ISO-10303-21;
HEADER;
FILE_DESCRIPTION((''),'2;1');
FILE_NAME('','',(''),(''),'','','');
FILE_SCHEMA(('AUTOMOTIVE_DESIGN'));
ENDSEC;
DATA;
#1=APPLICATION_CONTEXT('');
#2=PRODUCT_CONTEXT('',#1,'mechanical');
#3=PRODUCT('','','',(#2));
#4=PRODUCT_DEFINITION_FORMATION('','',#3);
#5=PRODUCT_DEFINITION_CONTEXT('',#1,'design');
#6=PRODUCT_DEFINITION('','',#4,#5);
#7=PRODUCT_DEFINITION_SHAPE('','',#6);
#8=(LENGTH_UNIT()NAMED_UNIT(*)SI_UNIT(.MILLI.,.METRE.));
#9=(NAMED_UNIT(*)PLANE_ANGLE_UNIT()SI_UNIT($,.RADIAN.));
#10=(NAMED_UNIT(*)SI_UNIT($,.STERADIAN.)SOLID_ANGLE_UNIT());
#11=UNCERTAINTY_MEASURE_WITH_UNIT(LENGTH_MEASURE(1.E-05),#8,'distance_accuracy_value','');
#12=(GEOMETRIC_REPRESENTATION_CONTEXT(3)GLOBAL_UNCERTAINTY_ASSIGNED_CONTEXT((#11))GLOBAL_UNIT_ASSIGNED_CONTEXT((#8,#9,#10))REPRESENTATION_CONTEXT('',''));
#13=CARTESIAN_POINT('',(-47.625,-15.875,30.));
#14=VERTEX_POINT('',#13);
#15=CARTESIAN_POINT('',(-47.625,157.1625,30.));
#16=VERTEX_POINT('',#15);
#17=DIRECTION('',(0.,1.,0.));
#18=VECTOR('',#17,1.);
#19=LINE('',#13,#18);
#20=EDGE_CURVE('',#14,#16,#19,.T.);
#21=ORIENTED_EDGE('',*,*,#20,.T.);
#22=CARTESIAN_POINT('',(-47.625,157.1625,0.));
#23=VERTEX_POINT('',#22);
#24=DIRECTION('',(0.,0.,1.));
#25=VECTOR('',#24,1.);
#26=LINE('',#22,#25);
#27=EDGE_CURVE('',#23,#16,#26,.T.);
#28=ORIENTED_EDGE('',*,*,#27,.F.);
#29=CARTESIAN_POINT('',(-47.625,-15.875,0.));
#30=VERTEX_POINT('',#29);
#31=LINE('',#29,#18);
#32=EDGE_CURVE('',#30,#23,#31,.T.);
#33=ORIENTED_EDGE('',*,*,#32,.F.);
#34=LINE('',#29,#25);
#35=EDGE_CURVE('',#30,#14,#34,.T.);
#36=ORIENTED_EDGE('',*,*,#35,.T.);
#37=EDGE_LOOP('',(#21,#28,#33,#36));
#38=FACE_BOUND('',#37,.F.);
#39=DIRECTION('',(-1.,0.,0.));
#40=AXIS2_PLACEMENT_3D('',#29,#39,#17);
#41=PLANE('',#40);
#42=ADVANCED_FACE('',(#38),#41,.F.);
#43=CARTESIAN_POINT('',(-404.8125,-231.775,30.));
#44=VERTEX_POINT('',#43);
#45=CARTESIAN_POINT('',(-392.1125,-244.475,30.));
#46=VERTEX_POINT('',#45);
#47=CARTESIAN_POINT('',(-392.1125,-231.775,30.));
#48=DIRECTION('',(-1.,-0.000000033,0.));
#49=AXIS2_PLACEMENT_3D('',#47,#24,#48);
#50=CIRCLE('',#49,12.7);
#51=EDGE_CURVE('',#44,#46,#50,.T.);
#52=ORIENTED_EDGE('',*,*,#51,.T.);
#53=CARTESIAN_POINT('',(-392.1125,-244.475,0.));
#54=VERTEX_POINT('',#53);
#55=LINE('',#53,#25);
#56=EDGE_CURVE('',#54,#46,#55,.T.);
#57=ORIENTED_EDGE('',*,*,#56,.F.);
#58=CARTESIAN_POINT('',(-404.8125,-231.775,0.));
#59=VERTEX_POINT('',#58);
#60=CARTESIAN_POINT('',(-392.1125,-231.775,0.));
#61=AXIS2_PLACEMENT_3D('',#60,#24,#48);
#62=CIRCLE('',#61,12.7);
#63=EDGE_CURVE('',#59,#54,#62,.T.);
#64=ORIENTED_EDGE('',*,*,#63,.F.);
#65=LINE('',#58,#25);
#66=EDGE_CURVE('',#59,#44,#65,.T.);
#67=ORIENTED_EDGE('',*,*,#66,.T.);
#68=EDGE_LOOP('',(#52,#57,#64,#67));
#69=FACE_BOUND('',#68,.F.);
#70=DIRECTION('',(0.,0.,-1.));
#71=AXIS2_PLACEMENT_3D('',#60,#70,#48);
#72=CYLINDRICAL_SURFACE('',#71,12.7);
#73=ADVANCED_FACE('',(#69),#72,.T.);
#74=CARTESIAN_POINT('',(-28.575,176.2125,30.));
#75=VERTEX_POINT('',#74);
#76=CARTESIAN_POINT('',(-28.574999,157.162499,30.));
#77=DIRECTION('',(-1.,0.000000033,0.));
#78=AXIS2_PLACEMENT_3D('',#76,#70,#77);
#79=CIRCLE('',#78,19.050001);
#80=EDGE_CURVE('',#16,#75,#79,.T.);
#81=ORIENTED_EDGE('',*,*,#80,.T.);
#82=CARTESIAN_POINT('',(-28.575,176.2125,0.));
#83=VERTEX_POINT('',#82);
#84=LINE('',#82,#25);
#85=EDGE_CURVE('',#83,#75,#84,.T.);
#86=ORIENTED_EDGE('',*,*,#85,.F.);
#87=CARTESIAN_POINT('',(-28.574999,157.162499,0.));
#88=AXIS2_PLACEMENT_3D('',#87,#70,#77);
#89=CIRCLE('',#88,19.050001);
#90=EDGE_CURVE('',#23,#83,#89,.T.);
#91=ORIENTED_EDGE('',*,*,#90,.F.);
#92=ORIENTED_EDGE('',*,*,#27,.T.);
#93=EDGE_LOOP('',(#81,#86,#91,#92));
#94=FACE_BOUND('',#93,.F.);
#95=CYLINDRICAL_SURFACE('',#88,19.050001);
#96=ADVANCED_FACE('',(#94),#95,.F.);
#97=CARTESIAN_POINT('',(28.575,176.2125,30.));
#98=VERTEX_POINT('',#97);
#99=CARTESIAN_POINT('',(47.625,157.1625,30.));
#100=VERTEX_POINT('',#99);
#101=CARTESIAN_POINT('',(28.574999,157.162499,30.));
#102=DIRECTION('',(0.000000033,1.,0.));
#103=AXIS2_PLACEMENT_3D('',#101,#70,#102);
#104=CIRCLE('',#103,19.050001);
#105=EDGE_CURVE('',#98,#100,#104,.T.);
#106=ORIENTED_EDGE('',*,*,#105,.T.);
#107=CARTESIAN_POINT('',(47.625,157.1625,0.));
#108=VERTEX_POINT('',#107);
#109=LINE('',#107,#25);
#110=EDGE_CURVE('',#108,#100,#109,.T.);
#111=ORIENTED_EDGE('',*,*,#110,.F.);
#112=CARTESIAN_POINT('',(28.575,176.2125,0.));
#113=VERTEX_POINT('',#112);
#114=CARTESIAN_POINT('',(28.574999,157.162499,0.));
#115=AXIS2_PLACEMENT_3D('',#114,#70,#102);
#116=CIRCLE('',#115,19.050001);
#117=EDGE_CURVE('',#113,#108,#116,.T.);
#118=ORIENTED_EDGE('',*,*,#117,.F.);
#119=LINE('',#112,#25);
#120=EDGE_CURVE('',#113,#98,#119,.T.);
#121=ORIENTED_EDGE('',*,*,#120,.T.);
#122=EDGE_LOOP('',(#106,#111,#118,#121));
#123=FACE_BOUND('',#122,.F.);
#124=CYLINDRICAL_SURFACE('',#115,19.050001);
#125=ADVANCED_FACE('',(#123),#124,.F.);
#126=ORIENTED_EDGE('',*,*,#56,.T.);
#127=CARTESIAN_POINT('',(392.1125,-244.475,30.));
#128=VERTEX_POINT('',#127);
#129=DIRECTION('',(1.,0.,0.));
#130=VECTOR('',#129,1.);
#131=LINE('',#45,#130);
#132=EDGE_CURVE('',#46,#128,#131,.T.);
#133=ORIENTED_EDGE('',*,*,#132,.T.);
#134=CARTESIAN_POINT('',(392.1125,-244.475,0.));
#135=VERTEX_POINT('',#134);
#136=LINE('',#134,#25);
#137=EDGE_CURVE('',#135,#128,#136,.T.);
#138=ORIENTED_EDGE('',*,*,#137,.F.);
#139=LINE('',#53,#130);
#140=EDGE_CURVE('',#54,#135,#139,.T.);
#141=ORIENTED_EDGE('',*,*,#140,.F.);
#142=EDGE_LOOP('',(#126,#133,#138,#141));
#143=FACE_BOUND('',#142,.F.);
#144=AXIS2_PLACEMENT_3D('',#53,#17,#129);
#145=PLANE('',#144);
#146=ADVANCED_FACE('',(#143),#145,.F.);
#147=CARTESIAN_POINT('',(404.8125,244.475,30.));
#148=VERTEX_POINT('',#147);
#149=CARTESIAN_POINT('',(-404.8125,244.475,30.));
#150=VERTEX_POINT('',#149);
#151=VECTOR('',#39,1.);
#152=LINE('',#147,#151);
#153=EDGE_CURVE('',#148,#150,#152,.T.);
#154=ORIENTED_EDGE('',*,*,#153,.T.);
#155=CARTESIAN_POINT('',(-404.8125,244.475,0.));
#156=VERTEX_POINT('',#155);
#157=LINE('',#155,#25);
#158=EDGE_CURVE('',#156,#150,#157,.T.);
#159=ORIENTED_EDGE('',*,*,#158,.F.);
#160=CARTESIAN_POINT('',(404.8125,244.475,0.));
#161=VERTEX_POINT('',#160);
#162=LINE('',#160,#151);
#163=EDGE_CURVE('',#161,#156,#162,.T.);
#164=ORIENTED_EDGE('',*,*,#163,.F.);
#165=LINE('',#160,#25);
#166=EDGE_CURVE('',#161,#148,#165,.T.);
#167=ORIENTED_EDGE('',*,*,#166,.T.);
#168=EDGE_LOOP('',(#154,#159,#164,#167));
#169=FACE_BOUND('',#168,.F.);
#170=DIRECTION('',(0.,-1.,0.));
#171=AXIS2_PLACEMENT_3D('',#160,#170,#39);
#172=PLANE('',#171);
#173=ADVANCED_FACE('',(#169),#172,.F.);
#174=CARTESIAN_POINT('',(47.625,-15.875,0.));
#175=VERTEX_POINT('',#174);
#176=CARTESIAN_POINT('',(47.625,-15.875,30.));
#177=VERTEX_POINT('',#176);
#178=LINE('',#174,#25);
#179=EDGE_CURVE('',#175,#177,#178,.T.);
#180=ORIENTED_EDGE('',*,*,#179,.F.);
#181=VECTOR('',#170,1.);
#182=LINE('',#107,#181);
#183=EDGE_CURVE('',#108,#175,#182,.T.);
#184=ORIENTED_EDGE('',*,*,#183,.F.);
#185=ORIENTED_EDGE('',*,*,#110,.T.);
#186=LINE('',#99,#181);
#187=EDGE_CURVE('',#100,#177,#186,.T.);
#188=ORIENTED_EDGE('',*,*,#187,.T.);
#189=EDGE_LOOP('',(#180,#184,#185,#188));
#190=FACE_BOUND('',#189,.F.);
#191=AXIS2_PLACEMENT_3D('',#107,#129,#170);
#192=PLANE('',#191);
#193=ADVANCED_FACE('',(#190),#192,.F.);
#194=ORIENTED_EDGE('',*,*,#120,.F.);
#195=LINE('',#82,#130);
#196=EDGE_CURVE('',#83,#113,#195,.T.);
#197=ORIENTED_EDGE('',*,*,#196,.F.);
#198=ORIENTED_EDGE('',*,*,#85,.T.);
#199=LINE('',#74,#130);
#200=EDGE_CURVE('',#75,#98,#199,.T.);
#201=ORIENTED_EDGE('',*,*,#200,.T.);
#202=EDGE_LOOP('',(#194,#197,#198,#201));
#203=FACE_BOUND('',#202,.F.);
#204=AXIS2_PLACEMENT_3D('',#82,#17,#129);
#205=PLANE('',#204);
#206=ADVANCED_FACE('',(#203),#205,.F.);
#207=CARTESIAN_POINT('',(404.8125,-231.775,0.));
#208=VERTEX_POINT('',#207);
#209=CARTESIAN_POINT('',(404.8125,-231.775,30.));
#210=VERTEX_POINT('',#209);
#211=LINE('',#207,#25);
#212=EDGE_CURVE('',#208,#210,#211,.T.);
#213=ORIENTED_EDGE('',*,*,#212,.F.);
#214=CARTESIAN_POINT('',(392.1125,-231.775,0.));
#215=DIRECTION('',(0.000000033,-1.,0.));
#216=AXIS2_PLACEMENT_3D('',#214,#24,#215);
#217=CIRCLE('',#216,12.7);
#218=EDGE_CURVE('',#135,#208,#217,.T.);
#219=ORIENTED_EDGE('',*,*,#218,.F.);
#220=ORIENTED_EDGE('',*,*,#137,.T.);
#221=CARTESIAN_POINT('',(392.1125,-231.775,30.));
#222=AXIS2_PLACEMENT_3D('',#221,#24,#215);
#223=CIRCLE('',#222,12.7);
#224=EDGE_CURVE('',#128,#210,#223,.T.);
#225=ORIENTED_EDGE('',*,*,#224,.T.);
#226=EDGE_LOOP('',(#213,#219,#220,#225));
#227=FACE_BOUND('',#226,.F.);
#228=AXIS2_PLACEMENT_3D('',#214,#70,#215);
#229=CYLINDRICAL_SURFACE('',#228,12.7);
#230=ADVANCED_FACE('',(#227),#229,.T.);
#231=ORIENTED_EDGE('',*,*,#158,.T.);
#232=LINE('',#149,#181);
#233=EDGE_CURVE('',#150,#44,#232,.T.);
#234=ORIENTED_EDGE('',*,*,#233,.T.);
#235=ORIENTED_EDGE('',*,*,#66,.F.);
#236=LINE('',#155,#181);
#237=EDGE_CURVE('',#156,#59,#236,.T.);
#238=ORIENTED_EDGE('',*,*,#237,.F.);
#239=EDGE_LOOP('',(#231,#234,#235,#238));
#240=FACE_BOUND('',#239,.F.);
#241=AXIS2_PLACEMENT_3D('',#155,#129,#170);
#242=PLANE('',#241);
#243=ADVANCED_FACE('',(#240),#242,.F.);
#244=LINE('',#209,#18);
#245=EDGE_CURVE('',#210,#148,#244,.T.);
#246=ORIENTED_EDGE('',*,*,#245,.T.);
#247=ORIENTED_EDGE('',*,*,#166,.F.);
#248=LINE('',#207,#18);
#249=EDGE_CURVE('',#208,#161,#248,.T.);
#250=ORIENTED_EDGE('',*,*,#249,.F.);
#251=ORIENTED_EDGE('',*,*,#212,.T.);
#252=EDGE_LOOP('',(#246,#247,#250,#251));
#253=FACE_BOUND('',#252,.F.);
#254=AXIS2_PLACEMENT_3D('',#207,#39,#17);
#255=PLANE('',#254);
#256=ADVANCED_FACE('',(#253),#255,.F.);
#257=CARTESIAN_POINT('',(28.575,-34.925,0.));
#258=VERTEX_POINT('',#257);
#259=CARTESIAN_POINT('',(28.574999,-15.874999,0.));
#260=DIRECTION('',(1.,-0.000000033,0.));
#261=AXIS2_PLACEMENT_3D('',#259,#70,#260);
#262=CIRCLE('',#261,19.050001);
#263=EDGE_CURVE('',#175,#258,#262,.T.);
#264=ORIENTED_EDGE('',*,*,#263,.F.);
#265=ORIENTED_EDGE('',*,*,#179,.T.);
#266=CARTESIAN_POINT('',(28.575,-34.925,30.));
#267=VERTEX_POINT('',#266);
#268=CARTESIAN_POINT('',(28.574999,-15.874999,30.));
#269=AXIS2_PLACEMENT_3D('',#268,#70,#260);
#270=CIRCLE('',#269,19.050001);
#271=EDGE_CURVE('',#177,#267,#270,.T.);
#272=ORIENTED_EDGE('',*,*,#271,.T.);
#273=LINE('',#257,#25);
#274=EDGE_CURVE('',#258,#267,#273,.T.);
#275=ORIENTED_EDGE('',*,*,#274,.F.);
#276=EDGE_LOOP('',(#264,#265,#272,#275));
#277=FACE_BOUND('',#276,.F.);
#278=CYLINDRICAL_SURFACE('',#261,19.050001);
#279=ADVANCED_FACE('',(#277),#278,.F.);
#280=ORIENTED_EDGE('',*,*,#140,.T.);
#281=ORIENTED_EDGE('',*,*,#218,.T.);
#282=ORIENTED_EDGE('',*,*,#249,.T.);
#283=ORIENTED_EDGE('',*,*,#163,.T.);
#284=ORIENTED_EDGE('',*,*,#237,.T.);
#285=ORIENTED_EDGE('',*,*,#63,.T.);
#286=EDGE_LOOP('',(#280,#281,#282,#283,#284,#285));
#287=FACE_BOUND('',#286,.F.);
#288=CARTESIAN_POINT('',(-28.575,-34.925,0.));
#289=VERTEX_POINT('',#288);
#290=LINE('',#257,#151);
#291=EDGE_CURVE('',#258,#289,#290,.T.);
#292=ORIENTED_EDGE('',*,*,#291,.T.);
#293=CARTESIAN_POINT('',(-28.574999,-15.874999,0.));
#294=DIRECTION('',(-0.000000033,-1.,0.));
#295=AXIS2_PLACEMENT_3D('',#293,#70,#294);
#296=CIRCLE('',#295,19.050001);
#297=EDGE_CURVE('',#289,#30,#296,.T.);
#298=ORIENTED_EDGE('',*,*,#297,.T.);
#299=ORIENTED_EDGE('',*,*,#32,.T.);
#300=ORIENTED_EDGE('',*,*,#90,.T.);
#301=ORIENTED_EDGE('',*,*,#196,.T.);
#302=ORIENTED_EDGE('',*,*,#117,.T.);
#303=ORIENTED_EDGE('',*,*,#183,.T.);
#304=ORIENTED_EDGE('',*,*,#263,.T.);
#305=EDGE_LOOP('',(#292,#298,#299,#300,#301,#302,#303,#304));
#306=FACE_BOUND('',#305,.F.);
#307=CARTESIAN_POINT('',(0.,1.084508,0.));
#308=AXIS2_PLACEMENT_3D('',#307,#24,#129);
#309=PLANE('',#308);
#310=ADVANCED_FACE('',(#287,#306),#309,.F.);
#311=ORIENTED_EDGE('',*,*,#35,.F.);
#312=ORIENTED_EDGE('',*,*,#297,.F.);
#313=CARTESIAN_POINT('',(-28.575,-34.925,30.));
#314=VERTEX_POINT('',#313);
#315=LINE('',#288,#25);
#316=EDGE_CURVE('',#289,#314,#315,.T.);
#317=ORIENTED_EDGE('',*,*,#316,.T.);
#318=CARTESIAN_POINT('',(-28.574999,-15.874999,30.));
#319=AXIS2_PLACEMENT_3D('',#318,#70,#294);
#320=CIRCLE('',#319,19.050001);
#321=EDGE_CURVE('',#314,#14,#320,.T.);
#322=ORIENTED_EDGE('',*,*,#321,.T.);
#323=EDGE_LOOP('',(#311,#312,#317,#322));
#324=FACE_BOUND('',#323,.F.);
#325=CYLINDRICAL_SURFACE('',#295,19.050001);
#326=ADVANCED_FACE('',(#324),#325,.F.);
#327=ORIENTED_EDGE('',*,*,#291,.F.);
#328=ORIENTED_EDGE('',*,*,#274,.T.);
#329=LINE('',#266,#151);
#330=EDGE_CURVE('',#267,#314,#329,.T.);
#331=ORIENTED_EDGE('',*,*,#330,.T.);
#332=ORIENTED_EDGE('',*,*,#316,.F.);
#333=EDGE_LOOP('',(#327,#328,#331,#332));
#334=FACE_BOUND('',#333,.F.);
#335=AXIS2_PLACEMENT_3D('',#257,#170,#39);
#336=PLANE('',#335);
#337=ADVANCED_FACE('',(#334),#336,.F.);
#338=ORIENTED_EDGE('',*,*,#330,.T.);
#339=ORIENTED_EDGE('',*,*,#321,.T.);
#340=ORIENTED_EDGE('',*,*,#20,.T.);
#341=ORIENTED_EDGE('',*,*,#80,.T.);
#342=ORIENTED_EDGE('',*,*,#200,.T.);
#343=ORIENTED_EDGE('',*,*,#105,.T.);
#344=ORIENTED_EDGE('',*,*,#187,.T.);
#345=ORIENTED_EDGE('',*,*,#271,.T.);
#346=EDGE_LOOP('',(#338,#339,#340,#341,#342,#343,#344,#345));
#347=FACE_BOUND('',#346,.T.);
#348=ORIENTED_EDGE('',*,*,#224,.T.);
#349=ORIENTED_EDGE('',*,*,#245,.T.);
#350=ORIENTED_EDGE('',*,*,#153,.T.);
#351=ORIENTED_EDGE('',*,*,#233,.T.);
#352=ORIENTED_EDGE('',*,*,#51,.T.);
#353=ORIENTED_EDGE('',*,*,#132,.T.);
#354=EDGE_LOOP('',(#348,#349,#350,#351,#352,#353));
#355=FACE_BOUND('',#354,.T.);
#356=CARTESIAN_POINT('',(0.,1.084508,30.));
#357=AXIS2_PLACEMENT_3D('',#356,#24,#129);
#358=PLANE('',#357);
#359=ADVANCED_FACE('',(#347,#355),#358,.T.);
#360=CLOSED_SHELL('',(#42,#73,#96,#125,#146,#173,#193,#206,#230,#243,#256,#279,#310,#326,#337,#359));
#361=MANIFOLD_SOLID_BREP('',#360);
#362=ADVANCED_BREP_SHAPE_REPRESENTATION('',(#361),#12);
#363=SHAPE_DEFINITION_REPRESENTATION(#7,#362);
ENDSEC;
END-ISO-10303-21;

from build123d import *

# Parameters (mm, degrees)
F1_DEPTH = 30


with BuildPart() as f1:
    # F0 (on Top) → F1 (new body)
    with BuildSketch(Plane.XY):
        with BuildLine():
            Line((404.8125, 244.475), (-404.8125, 244.475))
            Line((-404.8125, 244.475), (-404.8125, -231.775))
            ThreePointArc((-404.8125, -231.775), (-401.092756, -240.755256), (-392.1125, -244.475))
            Line((-392.1125, -244.475), (392.1125, -244.475))
            ThreePointArc((392.1125, -244.475), (401.092756, -240.755256), (404.8125, -231.775))
            Line((404.8125, -231.775), (404.8125, 244.475))
        make_face()
        with BuildLine():
            ThreePointArc((-47.625, 157.1625), (-42.045384, 170.632884), (-28.575, 176.2125))
            Line((-28.575, 176.2125), (28.575, 176.2125))
            ThreePointArc((28.575, 176.2125), (42.045384, 170.632884), (47.625, 157.1625))
            Line((47.625, 157.1625), (47.625, -15.875))
            ThreePointArc((47.625, -15.875), (42.045384, -29.345384), (28.575, -34.925))
            Line((28.575, -34.925), (-28.575, -34.925))
            ThreePointArc((-28.575, -34.925), (-42.045384, -29.345384), (-47.625, -15.875))
            Line((-47.625, -15.875), (-47.625, 157.1625))
        make_face(mode=Mode.SUBTRACT)
    extrude(amount=F1_DEPTH)


solid = f1.part
